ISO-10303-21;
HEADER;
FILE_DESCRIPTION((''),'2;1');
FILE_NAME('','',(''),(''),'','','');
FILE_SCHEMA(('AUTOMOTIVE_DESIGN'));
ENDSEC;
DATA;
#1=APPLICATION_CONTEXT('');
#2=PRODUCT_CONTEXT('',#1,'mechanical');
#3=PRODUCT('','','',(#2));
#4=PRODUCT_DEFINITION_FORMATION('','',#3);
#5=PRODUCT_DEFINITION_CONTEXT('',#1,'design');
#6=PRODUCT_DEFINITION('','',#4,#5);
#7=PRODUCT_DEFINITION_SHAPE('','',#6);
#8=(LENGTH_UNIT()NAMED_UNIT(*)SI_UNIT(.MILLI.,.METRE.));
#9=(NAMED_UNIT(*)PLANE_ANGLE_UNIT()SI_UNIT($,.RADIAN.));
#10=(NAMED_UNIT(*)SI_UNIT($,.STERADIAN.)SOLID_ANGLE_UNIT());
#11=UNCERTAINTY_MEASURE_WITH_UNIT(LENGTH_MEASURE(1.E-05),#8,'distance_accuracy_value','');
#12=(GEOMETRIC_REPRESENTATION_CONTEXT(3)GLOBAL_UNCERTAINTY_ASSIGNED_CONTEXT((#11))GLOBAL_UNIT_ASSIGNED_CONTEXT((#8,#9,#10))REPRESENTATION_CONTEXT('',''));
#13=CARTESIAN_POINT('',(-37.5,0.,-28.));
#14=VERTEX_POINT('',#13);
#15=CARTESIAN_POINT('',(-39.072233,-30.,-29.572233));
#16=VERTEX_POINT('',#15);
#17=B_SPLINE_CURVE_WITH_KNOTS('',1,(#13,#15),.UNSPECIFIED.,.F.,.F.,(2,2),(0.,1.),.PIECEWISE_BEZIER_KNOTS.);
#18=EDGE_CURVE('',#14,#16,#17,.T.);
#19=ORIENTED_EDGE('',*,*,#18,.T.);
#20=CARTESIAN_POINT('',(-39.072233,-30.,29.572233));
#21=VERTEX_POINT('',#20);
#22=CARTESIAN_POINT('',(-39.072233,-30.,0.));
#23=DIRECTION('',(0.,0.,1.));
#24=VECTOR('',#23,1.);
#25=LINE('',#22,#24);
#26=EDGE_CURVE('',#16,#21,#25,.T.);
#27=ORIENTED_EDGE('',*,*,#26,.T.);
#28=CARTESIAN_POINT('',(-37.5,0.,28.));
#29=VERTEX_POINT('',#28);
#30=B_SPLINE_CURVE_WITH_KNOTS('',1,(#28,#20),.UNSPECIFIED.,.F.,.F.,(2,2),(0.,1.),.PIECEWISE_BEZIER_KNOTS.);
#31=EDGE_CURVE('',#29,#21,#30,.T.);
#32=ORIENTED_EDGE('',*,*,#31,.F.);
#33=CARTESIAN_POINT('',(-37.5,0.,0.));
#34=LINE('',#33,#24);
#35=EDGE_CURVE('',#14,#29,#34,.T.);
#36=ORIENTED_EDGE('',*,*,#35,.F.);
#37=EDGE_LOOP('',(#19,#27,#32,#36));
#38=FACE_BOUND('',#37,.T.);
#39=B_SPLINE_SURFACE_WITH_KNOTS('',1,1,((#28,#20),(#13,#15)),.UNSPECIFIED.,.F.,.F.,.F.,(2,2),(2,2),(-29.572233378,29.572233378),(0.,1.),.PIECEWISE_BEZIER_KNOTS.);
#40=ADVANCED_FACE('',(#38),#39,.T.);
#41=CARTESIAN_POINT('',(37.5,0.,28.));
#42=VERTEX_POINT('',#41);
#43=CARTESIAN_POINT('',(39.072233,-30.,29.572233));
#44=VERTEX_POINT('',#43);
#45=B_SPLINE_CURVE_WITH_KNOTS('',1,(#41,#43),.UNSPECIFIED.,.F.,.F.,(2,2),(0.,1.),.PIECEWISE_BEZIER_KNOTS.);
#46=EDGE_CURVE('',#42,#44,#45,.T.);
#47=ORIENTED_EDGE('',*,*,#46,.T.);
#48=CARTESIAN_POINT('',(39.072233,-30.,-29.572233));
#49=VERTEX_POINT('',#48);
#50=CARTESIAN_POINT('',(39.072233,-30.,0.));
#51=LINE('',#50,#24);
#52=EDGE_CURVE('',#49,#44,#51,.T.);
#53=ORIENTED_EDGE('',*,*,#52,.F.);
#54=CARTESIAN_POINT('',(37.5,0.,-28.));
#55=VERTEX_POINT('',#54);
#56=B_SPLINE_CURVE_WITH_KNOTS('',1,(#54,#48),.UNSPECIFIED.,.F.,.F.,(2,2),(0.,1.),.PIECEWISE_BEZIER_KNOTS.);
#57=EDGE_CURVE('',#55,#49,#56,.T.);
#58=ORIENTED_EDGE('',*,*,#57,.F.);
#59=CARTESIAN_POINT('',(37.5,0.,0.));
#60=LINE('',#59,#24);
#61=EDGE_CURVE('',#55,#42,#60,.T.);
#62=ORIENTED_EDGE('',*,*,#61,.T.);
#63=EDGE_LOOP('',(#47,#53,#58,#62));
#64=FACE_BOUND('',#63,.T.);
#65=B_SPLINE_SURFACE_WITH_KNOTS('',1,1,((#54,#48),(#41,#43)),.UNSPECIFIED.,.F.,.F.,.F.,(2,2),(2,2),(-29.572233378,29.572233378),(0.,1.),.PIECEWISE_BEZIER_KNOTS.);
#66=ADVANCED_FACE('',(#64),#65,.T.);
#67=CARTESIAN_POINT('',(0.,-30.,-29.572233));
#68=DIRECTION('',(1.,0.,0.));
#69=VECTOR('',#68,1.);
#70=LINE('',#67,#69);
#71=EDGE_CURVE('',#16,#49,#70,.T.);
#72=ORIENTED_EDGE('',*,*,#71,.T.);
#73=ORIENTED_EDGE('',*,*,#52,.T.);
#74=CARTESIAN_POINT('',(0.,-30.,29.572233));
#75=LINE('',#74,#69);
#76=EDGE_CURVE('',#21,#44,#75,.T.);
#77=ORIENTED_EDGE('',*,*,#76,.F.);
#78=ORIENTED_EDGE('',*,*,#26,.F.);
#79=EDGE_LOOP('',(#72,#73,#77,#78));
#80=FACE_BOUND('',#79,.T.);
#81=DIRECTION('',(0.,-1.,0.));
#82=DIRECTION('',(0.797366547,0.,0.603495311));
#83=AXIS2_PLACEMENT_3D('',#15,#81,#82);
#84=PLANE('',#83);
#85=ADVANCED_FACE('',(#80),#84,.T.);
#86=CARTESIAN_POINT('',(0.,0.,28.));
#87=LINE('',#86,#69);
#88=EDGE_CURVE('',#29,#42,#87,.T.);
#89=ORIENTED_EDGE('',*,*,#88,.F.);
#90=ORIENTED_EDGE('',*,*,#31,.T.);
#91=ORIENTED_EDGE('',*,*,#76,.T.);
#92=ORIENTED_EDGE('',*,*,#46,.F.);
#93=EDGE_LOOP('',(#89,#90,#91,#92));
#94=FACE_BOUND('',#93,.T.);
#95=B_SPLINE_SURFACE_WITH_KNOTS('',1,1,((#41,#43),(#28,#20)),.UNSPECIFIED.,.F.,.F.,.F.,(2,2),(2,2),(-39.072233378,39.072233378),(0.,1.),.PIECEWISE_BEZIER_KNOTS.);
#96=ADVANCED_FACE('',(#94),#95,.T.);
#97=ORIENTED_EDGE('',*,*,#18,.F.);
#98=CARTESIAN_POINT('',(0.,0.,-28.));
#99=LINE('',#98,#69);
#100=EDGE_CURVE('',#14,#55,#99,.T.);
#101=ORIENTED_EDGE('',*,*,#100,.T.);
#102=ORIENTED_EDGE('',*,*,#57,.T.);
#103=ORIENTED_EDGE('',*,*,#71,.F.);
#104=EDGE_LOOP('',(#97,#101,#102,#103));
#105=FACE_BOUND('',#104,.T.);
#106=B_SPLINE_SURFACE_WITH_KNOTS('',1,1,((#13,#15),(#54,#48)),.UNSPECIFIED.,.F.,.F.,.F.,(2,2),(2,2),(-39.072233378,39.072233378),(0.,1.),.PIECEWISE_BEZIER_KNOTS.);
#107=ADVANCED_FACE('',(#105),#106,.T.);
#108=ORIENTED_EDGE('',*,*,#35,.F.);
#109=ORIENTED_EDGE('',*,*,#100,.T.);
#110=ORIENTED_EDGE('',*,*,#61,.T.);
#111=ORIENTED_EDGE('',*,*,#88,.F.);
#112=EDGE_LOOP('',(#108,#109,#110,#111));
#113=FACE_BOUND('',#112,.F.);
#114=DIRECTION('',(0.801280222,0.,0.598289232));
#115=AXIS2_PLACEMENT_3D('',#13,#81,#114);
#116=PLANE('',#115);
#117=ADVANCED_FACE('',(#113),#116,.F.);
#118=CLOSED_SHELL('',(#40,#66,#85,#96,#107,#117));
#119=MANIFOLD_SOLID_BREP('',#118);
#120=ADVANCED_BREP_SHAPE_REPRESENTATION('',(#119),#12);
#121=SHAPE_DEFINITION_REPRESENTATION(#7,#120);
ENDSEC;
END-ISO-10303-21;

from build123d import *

# Parameters (mm, degrees)
F0_W     = 75
F0_H     = 56
F1_DEPTH = 30
F1_TAPER = -3


with BuildPart() as f1:
    # F0 (on Front) → F1 (new body)
    with BuildSketch(Plane.XZ):
        Rectangle(F0_W, F0_H)
    extrude(amount=F1_DEPTH, taper=F1_TAPER)


solid = f1.part
